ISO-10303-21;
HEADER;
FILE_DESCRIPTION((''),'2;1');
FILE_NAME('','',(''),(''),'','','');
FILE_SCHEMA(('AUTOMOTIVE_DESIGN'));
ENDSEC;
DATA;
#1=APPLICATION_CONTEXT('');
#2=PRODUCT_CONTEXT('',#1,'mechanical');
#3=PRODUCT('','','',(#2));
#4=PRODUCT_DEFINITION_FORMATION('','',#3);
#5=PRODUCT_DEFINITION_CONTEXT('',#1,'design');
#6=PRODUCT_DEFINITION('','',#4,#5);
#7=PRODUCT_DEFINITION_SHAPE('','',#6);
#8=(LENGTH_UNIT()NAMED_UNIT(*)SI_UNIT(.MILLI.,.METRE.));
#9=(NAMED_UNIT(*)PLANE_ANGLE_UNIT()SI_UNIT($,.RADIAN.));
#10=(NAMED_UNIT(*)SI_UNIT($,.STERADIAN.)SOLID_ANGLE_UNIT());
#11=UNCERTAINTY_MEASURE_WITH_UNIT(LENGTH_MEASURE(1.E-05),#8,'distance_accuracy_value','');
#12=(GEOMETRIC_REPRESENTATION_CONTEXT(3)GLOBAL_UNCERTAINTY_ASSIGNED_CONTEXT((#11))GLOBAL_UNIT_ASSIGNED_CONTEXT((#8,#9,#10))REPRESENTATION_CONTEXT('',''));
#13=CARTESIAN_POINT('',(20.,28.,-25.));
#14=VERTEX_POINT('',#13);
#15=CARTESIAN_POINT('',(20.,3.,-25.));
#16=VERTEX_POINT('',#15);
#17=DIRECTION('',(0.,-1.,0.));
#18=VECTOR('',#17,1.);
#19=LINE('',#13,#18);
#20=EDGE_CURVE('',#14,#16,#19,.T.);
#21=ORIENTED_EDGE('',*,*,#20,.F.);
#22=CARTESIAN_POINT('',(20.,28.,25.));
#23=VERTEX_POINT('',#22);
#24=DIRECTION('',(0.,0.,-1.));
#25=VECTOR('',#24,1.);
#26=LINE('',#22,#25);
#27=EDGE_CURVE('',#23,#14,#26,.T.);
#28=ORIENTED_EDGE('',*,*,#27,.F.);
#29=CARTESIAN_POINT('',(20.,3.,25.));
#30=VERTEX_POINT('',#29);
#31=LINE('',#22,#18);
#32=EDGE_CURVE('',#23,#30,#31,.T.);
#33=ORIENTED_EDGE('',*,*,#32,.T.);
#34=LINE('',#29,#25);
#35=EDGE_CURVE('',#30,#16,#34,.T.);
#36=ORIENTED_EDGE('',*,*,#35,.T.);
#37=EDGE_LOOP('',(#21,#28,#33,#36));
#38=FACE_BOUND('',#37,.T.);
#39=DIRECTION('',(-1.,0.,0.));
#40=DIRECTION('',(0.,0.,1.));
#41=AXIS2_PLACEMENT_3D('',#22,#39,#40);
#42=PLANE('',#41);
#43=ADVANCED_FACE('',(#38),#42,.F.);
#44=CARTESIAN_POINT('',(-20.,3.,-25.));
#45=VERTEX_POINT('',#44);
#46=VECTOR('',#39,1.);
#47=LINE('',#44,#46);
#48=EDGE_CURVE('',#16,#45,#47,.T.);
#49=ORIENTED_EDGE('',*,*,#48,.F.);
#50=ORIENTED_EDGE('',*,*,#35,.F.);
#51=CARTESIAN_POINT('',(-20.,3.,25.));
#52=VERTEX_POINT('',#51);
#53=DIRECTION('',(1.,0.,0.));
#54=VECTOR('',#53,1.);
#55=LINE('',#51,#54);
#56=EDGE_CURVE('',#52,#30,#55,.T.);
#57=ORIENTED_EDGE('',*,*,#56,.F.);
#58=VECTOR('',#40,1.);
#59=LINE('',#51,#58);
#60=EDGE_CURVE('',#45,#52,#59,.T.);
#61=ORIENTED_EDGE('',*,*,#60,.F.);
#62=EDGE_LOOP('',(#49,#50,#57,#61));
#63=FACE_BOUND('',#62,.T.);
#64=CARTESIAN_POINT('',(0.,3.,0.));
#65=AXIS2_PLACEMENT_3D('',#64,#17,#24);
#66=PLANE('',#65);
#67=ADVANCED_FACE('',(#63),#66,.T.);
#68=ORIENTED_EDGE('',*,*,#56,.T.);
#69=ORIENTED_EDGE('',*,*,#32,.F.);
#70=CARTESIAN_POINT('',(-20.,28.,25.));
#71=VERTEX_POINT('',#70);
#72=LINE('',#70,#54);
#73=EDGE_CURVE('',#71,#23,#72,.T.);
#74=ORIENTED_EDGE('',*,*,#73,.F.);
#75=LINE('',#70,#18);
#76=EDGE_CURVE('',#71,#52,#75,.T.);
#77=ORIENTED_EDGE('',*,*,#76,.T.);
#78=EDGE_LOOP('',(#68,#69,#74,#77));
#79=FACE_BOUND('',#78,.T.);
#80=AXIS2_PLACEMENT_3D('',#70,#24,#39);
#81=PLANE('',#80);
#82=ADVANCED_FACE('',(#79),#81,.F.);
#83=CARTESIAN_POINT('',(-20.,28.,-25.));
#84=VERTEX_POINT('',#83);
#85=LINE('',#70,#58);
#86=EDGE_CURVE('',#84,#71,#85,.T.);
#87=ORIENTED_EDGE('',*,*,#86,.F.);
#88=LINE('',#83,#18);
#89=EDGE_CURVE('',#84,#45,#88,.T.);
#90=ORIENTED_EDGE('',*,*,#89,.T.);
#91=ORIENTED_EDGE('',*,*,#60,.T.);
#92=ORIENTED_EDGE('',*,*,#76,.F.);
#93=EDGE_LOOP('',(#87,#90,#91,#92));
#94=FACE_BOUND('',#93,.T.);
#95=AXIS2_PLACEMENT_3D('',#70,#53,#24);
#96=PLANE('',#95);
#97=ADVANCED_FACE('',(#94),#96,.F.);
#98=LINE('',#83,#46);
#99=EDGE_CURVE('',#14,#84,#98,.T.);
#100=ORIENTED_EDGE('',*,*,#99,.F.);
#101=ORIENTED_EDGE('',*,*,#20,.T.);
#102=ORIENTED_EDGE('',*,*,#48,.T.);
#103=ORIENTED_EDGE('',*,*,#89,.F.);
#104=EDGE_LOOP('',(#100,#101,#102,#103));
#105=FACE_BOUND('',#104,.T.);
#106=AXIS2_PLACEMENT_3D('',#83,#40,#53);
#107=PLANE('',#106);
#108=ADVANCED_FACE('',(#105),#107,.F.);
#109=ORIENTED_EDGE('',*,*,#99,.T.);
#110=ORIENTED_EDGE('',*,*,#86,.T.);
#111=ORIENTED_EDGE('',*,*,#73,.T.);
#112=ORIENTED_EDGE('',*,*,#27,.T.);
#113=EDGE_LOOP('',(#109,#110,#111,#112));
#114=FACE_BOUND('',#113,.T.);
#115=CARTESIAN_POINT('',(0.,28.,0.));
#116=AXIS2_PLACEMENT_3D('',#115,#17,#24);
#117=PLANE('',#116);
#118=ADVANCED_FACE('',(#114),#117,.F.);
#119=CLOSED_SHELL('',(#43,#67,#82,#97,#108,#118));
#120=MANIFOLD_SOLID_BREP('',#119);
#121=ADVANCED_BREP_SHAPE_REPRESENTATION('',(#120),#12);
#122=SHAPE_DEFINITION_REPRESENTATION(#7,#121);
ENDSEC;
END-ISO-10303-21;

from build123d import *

# Parameters (mm, degrees)
BOSS_EXTRUDE1_START = 3
SKETCH1_W           = 40
SKETCH1_H           = 50
BOSS_EXTRUDE1_DEPTH = 25


with BuildPart() as part:
    # Sketch1 → Boss-Extrude1 (new body)
    with BuildSketch(Plane(origin=(0, 0, 0), x_dir=(1, 0, 0), z_dir=(0, 1, 0)).offset(BOSS_EXTRUDE1_START)):
        Rectangle(SKETCH1_W, SKETCH1_H)
    extrude(amount=BOSS_EXTRUDE1_DEPTH)


solid = part.part
